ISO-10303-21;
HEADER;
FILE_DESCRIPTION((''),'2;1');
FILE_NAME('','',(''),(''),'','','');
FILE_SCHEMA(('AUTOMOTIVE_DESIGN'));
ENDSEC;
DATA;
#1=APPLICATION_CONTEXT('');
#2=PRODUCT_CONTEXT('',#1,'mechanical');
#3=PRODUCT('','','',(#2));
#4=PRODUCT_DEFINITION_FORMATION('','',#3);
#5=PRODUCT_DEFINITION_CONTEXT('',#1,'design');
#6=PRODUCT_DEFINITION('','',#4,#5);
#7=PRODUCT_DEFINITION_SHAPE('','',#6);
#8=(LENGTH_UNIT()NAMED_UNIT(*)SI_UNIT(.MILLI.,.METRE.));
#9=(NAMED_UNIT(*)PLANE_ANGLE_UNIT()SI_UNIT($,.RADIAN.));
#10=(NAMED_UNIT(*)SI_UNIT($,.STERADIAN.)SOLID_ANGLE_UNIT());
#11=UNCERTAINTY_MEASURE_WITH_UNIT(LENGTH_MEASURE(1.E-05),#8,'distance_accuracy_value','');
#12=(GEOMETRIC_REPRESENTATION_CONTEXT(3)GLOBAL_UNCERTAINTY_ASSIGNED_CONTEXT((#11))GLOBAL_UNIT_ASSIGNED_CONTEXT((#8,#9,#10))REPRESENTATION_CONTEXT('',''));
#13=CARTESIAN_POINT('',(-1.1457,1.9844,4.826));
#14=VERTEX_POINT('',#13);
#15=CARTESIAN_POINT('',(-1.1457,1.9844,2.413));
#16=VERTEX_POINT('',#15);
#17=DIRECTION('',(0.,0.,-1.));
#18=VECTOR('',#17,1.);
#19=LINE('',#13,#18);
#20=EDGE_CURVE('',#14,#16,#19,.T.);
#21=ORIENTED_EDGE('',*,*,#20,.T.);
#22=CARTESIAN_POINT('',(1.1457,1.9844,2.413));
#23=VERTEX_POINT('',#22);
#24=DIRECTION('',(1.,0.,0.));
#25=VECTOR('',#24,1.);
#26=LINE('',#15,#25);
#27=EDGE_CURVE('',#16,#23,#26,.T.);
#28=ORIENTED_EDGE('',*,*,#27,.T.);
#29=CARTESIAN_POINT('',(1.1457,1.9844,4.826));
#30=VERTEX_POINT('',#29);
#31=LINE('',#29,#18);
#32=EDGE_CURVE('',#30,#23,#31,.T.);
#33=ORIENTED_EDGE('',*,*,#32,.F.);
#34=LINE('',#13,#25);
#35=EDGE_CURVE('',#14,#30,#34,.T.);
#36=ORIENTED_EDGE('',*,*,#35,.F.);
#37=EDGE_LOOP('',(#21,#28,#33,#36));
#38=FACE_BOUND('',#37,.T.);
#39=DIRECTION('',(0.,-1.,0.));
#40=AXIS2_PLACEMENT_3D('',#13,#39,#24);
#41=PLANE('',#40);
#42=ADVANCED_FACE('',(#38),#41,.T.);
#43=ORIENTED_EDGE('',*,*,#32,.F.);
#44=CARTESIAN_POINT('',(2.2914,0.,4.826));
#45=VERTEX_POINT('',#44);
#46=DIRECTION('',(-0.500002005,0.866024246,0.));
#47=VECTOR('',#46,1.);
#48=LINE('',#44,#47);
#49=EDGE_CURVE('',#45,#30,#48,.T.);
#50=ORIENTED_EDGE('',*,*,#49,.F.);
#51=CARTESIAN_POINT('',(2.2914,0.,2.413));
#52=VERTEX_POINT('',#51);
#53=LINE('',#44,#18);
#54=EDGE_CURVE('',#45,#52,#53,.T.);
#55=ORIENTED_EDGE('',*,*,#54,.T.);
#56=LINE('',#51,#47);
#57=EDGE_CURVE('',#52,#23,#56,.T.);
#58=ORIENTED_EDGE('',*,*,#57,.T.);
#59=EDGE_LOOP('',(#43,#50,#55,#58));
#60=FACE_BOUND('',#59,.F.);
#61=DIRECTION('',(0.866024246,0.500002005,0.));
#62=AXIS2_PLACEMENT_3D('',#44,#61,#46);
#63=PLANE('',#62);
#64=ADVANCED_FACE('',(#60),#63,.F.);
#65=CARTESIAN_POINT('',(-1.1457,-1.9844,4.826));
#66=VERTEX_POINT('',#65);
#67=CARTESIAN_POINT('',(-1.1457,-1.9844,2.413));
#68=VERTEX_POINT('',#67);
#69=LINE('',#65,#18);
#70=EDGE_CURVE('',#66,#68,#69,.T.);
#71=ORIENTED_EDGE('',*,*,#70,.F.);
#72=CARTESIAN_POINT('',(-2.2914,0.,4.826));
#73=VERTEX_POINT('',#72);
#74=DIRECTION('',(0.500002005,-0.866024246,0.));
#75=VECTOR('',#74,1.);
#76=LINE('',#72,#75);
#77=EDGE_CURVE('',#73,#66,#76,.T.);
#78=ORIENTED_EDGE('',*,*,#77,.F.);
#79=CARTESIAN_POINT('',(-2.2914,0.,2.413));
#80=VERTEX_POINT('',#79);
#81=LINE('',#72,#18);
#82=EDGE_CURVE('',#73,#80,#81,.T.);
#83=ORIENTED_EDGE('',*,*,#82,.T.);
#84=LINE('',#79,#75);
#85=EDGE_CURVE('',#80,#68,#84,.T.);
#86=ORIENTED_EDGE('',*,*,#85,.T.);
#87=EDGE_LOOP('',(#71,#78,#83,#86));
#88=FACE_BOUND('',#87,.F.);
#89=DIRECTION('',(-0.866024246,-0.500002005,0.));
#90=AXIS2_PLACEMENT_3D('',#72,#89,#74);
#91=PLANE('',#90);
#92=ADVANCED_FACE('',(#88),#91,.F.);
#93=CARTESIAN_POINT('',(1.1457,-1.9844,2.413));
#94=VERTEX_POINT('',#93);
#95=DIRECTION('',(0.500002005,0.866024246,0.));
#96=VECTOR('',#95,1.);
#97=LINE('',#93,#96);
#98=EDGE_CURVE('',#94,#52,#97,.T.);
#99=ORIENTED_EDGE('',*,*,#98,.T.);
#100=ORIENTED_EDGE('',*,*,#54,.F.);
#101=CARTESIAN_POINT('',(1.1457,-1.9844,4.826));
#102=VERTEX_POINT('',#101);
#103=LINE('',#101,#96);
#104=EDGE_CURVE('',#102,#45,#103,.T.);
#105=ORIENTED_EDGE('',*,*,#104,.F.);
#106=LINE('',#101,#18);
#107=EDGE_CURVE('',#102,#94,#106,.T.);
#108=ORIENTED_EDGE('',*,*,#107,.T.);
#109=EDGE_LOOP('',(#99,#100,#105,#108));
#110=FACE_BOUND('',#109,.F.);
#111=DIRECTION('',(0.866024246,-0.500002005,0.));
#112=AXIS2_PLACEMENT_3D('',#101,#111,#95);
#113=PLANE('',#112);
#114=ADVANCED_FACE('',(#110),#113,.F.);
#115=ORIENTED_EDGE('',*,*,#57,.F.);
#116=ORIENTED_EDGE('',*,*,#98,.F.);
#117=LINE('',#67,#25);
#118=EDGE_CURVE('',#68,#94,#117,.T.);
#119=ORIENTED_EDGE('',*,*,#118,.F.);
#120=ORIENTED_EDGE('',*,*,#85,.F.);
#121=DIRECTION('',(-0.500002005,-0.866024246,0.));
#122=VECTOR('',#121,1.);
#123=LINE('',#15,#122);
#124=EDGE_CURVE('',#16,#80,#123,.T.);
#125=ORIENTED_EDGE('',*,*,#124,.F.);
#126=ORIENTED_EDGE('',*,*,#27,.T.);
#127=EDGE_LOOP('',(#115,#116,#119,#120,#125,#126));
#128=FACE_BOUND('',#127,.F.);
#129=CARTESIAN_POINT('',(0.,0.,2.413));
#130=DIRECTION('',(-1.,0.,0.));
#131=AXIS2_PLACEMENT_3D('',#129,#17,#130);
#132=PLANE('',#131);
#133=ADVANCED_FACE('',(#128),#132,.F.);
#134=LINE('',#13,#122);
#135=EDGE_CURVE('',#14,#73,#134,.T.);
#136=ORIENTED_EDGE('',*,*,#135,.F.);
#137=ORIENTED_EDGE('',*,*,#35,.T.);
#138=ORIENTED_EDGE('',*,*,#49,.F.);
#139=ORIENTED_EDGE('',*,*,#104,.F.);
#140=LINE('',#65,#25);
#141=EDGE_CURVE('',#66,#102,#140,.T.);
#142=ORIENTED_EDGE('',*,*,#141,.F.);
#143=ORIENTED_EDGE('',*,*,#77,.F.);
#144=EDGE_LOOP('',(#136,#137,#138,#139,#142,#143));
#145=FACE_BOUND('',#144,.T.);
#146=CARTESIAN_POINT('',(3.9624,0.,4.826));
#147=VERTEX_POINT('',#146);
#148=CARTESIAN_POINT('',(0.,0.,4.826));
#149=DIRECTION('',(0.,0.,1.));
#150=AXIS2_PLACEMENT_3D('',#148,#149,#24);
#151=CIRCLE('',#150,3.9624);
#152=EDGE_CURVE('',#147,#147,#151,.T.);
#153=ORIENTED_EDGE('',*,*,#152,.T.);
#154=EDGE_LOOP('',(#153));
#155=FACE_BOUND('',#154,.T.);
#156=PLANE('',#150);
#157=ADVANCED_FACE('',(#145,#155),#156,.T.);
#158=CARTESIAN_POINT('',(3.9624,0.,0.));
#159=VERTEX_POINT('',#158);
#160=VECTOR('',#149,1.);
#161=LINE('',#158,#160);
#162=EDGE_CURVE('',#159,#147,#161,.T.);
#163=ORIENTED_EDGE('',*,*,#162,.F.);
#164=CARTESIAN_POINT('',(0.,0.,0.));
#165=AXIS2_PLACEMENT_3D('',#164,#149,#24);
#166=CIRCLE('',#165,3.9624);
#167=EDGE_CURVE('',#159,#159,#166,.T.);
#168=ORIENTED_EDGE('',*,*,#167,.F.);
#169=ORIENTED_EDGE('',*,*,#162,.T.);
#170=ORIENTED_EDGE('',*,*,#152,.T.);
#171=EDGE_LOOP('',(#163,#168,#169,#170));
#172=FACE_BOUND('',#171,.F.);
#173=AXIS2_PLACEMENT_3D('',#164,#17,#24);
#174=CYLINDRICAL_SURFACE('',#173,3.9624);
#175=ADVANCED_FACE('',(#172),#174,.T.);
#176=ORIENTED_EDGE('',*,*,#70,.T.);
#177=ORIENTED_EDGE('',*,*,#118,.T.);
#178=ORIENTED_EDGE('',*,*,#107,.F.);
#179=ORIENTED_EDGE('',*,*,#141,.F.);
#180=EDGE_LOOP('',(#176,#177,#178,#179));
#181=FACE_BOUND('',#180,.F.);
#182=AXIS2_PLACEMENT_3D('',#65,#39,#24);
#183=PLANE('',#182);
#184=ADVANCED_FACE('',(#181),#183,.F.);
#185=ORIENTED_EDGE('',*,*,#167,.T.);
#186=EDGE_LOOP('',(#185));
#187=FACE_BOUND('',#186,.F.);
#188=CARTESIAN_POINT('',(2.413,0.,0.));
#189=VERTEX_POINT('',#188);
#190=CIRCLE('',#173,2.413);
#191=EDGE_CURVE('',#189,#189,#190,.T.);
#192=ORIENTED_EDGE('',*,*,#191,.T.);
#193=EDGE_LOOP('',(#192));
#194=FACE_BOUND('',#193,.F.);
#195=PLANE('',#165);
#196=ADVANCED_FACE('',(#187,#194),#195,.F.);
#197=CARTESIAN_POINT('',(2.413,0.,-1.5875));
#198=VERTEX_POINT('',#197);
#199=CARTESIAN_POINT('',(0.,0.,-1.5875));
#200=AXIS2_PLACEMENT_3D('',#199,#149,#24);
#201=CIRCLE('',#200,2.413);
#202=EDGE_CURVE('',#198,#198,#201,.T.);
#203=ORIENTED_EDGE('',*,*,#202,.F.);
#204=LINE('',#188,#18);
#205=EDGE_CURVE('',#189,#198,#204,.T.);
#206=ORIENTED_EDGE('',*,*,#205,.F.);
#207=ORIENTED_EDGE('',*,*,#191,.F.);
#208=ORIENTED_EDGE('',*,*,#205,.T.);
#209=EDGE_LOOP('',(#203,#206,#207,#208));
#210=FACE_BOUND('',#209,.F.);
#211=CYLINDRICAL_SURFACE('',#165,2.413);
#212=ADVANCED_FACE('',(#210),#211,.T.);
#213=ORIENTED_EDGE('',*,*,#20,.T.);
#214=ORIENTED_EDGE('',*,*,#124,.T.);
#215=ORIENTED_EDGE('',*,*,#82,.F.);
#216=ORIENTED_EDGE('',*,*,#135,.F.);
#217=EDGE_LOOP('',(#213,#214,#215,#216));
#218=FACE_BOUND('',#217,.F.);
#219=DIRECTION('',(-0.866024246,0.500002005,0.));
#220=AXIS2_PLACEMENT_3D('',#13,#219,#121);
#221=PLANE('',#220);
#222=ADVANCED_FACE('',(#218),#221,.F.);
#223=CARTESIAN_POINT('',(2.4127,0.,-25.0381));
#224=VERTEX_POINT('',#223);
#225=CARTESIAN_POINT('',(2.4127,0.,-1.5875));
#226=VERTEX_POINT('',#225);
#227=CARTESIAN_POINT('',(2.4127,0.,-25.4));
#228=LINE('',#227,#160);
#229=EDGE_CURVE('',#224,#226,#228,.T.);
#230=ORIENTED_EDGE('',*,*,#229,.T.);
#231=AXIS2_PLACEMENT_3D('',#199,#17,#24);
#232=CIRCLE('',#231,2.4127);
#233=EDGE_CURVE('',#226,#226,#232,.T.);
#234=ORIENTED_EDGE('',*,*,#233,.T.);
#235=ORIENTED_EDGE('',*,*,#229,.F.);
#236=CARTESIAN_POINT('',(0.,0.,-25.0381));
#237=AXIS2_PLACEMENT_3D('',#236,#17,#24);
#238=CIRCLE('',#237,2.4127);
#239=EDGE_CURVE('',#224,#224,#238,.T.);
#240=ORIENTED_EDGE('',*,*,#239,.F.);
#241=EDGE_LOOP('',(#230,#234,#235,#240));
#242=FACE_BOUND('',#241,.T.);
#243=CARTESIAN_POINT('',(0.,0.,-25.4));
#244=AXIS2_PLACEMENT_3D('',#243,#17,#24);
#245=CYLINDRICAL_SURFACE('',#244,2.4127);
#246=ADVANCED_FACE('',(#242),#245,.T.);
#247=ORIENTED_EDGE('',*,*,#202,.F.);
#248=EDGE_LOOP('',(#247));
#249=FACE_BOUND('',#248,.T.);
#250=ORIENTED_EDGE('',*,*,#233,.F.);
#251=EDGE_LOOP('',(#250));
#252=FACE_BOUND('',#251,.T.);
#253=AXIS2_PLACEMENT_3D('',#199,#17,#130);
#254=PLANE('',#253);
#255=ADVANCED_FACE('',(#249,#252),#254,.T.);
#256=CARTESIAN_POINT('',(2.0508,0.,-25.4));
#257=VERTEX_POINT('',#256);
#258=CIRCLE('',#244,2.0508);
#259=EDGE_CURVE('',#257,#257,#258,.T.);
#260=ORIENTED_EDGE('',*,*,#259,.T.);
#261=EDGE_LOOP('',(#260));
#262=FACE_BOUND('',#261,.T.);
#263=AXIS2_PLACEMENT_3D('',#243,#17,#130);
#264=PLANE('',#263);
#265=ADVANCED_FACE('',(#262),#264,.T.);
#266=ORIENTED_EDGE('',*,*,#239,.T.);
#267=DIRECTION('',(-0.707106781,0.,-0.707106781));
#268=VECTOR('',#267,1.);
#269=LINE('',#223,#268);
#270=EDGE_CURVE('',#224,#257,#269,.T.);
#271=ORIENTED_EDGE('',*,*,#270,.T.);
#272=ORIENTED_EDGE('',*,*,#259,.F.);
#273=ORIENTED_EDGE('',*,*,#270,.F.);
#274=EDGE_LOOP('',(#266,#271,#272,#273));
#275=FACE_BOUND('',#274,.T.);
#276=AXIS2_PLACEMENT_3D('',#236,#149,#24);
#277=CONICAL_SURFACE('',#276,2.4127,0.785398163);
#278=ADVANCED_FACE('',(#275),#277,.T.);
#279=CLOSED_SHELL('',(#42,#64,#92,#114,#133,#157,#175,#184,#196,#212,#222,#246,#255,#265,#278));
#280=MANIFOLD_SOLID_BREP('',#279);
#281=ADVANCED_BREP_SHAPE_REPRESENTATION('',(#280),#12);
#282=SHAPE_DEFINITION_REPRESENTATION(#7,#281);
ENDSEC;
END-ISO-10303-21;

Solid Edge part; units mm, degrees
sketch "Sketch1" plane through (0, 0, 0) normal (0, 0, 1) x (1, 0, 0)
  circle A0 centre (0, 0) radius 3.9624
  dimension "D1" = 7.9248
extrude "Protrusion1" add sketch "Sketch1" along normal blind 4.826
sketch "Sketch2" plane through (0, 0, 0) normal (0, 0, -1) x (1, 0, 0)
  circle A0 centre (0, 0) radius 2.413
extrude "Protrusion2" add sketch "Sketch2" along normal blind 25.4
sketch "Sketch3" plane through (0, 0, -25.4) normal (0, 0, -1) x (1, 0, 0)
  circle A0 centre (0, 0) radius 2.4127
extrude "Cutout1" cut sketch "Sketch3" against normal blind 23.8125 flip side to cut
chamfer "Chamfer_1" distance 0.3619 angle 45 1 edges at (-2.4127, 0, -25.4)
sketch "Sketch4" plane through (0, 0, 4.826) normal (0, 0, 1) x (1, 0, 0)
  line L0 (-1.1457, 1.9844) -> (1.1457, 1.9844)
  line L1 (2.2914, 0) -> (1.1457, 1.9844)
  line L2 (1.1457, -1.9844) -> (2.2914, 0)
  line L3 (-1.1457, -1.9844) -> (1.1457, -1.9844)
  line L4 (-2.2914, 0) -> (-1.1457, -1.9844)
  line L5 (-1.1457, 1.9844) -> (-2.2914, 0)
  dimension "D1" = 3.9688
extrude "Cutout2" cut sketch "Sketch4" against normal blind 2.413
properties part number "24101594"
